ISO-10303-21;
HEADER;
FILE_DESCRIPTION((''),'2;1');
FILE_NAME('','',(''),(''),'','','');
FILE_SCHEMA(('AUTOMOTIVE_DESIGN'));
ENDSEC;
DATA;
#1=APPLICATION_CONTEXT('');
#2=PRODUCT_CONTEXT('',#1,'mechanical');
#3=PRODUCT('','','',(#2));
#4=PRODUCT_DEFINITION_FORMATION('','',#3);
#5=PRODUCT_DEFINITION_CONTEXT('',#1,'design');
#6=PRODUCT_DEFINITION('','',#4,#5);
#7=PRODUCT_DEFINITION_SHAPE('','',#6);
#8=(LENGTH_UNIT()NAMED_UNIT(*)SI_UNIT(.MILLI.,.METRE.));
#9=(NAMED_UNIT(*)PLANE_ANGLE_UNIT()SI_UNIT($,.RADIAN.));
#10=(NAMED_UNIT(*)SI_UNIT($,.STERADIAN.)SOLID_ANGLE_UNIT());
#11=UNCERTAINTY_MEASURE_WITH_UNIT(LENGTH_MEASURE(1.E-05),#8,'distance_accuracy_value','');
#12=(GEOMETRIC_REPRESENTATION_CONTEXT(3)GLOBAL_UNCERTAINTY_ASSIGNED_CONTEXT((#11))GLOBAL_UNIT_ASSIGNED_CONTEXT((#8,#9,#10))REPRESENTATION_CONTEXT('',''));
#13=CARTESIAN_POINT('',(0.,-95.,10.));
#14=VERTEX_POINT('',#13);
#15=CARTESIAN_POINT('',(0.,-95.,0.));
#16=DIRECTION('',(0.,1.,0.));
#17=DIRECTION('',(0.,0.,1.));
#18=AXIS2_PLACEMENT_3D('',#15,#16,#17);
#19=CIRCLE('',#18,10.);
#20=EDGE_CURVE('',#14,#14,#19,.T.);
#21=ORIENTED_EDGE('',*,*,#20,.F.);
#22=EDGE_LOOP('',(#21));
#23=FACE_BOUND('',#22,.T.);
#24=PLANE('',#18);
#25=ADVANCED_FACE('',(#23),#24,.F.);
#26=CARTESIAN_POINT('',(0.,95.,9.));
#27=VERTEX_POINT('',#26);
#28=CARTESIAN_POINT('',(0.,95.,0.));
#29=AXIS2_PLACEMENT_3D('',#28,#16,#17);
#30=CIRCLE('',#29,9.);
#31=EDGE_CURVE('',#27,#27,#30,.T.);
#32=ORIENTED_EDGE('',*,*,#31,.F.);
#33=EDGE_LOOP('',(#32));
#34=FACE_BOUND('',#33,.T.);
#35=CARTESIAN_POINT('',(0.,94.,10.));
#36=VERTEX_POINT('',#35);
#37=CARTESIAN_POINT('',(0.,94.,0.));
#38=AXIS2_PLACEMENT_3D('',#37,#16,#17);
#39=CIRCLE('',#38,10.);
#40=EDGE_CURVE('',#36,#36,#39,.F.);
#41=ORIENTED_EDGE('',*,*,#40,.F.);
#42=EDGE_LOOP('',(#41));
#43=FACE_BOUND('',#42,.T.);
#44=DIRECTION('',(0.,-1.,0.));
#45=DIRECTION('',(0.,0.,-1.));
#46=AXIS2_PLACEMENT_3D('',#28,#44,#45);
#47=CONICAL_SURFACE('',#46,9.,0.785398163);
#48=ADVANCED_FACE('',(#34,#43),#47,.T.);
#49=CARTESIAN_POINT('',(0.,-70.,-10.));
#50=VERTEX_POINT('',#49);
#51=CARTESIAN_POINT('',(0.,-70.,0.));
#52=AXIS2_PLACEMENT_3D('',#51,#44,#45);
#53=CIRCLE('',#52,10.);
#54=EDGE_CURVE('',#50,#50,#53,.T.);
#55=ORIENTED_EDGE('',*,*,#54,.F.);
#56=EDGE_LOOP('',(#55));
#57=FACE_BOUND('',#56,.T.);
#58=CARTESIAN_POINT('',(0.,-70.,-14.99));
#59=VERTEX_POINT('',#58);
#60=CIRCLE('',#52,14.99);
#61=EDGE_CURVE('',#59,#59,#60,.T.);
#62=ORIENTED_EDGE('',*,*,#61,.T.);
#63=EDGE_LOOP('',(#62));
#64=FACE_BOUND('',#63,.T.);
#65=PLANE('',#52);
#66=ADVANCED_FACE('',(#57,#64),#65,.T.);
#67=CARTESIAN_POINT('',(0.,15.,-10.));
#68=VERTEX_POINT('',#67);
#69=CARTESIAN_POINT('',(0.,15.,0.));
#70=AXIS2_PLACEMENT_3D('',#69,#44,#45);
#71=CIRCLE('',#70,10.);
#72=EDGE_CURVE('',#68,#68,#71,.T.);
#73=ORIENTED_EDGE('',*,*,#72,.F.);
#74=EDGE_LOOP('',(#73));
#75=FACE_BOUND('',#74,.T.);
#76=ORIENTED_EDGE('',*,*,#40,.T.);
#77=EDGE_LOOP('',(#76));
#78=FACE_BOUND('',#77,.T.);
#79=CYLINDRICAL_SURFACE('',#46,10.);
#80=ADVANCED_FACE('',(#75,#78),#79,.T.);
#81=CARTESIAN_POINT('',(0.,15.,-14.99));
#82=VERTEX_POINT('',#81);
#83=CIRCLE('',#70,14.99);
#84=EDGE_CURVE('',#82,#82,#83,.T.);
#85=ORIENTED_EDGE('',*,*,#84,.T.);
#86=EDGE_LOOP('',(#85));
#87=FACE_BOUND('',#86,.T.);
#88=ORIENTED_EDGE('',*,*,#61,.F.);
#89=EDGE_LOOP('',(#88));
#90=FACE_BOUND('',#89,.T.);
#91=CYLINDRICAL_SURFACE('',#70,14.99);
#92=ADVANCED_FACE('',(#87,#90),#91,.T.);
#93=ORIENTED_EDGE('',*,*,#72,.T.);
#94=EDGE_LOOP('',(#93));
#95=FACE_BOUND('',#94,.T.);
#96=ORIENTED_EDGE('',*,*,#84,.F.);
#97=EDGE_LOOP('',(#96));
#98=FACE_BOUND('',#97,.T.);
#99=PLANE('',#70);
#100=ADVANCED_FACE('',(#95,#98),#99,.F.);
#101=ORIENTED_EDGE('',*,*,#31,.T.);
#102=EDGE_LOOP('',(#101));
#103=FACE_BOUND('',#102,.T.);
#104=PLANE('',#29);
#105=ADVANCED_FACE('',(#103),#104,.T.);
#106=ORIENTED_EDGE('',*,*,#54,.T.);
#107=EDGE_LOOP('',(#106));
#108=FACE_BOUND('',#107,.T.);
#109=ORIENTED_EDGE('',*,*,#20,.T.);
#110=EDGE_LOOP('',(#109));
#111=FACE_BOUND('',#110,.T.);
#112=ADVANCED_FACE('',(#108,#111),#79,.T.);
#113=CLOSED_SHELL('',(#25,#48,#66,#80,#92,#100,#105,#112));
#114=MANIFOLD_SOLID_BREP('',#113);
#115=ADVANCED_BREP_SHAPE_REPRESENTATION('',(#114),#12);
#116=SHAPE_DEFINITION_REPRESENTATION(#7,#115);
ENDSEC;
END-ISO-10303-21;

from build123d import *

# Parameters (mm, degrees)
SKETCH1_R           = 10
BOSS_EXTRUDE1_DEPTH = 95
SKETCH3_R           = 14.99
BOSS_EXTRUDE2_DEPTH = 85
CHAMFER1_SIZE       = 1


with BuildPart() as part:
    # Sketch1 → Boss-Extrude1 (new body, symmetric)
    with BuildSketch(Plane(origin=(0, 0, 0), x_dir=(1, 0, 0), z_dir=(0, 1, 0))):
        Circle(SKETCH1_R)
    extrude(amount=BOSS_EXTRUDE1_DEPTH, both=True)

    # Sketch3 → Boss-Extrude2 (add)
    with BuildSketch(Plane(origin=(0, -70, 0), x_dir=(-1, 0, 0), z_dir=(0, -1, 0))):
        Circle(SKETCH3_R)
    extrude(amount=-BOSS_EXTRUDE2_DEPTH)

    # Chamfer1
    chamfer1_edges = [part.edges().sort_by_distance(p)[0] for p in [
        (-10, 95, 0),
    ]]
    chamfer(chamfer1_edges, length=CHAMFER1_SIZE)


solid = part.part
